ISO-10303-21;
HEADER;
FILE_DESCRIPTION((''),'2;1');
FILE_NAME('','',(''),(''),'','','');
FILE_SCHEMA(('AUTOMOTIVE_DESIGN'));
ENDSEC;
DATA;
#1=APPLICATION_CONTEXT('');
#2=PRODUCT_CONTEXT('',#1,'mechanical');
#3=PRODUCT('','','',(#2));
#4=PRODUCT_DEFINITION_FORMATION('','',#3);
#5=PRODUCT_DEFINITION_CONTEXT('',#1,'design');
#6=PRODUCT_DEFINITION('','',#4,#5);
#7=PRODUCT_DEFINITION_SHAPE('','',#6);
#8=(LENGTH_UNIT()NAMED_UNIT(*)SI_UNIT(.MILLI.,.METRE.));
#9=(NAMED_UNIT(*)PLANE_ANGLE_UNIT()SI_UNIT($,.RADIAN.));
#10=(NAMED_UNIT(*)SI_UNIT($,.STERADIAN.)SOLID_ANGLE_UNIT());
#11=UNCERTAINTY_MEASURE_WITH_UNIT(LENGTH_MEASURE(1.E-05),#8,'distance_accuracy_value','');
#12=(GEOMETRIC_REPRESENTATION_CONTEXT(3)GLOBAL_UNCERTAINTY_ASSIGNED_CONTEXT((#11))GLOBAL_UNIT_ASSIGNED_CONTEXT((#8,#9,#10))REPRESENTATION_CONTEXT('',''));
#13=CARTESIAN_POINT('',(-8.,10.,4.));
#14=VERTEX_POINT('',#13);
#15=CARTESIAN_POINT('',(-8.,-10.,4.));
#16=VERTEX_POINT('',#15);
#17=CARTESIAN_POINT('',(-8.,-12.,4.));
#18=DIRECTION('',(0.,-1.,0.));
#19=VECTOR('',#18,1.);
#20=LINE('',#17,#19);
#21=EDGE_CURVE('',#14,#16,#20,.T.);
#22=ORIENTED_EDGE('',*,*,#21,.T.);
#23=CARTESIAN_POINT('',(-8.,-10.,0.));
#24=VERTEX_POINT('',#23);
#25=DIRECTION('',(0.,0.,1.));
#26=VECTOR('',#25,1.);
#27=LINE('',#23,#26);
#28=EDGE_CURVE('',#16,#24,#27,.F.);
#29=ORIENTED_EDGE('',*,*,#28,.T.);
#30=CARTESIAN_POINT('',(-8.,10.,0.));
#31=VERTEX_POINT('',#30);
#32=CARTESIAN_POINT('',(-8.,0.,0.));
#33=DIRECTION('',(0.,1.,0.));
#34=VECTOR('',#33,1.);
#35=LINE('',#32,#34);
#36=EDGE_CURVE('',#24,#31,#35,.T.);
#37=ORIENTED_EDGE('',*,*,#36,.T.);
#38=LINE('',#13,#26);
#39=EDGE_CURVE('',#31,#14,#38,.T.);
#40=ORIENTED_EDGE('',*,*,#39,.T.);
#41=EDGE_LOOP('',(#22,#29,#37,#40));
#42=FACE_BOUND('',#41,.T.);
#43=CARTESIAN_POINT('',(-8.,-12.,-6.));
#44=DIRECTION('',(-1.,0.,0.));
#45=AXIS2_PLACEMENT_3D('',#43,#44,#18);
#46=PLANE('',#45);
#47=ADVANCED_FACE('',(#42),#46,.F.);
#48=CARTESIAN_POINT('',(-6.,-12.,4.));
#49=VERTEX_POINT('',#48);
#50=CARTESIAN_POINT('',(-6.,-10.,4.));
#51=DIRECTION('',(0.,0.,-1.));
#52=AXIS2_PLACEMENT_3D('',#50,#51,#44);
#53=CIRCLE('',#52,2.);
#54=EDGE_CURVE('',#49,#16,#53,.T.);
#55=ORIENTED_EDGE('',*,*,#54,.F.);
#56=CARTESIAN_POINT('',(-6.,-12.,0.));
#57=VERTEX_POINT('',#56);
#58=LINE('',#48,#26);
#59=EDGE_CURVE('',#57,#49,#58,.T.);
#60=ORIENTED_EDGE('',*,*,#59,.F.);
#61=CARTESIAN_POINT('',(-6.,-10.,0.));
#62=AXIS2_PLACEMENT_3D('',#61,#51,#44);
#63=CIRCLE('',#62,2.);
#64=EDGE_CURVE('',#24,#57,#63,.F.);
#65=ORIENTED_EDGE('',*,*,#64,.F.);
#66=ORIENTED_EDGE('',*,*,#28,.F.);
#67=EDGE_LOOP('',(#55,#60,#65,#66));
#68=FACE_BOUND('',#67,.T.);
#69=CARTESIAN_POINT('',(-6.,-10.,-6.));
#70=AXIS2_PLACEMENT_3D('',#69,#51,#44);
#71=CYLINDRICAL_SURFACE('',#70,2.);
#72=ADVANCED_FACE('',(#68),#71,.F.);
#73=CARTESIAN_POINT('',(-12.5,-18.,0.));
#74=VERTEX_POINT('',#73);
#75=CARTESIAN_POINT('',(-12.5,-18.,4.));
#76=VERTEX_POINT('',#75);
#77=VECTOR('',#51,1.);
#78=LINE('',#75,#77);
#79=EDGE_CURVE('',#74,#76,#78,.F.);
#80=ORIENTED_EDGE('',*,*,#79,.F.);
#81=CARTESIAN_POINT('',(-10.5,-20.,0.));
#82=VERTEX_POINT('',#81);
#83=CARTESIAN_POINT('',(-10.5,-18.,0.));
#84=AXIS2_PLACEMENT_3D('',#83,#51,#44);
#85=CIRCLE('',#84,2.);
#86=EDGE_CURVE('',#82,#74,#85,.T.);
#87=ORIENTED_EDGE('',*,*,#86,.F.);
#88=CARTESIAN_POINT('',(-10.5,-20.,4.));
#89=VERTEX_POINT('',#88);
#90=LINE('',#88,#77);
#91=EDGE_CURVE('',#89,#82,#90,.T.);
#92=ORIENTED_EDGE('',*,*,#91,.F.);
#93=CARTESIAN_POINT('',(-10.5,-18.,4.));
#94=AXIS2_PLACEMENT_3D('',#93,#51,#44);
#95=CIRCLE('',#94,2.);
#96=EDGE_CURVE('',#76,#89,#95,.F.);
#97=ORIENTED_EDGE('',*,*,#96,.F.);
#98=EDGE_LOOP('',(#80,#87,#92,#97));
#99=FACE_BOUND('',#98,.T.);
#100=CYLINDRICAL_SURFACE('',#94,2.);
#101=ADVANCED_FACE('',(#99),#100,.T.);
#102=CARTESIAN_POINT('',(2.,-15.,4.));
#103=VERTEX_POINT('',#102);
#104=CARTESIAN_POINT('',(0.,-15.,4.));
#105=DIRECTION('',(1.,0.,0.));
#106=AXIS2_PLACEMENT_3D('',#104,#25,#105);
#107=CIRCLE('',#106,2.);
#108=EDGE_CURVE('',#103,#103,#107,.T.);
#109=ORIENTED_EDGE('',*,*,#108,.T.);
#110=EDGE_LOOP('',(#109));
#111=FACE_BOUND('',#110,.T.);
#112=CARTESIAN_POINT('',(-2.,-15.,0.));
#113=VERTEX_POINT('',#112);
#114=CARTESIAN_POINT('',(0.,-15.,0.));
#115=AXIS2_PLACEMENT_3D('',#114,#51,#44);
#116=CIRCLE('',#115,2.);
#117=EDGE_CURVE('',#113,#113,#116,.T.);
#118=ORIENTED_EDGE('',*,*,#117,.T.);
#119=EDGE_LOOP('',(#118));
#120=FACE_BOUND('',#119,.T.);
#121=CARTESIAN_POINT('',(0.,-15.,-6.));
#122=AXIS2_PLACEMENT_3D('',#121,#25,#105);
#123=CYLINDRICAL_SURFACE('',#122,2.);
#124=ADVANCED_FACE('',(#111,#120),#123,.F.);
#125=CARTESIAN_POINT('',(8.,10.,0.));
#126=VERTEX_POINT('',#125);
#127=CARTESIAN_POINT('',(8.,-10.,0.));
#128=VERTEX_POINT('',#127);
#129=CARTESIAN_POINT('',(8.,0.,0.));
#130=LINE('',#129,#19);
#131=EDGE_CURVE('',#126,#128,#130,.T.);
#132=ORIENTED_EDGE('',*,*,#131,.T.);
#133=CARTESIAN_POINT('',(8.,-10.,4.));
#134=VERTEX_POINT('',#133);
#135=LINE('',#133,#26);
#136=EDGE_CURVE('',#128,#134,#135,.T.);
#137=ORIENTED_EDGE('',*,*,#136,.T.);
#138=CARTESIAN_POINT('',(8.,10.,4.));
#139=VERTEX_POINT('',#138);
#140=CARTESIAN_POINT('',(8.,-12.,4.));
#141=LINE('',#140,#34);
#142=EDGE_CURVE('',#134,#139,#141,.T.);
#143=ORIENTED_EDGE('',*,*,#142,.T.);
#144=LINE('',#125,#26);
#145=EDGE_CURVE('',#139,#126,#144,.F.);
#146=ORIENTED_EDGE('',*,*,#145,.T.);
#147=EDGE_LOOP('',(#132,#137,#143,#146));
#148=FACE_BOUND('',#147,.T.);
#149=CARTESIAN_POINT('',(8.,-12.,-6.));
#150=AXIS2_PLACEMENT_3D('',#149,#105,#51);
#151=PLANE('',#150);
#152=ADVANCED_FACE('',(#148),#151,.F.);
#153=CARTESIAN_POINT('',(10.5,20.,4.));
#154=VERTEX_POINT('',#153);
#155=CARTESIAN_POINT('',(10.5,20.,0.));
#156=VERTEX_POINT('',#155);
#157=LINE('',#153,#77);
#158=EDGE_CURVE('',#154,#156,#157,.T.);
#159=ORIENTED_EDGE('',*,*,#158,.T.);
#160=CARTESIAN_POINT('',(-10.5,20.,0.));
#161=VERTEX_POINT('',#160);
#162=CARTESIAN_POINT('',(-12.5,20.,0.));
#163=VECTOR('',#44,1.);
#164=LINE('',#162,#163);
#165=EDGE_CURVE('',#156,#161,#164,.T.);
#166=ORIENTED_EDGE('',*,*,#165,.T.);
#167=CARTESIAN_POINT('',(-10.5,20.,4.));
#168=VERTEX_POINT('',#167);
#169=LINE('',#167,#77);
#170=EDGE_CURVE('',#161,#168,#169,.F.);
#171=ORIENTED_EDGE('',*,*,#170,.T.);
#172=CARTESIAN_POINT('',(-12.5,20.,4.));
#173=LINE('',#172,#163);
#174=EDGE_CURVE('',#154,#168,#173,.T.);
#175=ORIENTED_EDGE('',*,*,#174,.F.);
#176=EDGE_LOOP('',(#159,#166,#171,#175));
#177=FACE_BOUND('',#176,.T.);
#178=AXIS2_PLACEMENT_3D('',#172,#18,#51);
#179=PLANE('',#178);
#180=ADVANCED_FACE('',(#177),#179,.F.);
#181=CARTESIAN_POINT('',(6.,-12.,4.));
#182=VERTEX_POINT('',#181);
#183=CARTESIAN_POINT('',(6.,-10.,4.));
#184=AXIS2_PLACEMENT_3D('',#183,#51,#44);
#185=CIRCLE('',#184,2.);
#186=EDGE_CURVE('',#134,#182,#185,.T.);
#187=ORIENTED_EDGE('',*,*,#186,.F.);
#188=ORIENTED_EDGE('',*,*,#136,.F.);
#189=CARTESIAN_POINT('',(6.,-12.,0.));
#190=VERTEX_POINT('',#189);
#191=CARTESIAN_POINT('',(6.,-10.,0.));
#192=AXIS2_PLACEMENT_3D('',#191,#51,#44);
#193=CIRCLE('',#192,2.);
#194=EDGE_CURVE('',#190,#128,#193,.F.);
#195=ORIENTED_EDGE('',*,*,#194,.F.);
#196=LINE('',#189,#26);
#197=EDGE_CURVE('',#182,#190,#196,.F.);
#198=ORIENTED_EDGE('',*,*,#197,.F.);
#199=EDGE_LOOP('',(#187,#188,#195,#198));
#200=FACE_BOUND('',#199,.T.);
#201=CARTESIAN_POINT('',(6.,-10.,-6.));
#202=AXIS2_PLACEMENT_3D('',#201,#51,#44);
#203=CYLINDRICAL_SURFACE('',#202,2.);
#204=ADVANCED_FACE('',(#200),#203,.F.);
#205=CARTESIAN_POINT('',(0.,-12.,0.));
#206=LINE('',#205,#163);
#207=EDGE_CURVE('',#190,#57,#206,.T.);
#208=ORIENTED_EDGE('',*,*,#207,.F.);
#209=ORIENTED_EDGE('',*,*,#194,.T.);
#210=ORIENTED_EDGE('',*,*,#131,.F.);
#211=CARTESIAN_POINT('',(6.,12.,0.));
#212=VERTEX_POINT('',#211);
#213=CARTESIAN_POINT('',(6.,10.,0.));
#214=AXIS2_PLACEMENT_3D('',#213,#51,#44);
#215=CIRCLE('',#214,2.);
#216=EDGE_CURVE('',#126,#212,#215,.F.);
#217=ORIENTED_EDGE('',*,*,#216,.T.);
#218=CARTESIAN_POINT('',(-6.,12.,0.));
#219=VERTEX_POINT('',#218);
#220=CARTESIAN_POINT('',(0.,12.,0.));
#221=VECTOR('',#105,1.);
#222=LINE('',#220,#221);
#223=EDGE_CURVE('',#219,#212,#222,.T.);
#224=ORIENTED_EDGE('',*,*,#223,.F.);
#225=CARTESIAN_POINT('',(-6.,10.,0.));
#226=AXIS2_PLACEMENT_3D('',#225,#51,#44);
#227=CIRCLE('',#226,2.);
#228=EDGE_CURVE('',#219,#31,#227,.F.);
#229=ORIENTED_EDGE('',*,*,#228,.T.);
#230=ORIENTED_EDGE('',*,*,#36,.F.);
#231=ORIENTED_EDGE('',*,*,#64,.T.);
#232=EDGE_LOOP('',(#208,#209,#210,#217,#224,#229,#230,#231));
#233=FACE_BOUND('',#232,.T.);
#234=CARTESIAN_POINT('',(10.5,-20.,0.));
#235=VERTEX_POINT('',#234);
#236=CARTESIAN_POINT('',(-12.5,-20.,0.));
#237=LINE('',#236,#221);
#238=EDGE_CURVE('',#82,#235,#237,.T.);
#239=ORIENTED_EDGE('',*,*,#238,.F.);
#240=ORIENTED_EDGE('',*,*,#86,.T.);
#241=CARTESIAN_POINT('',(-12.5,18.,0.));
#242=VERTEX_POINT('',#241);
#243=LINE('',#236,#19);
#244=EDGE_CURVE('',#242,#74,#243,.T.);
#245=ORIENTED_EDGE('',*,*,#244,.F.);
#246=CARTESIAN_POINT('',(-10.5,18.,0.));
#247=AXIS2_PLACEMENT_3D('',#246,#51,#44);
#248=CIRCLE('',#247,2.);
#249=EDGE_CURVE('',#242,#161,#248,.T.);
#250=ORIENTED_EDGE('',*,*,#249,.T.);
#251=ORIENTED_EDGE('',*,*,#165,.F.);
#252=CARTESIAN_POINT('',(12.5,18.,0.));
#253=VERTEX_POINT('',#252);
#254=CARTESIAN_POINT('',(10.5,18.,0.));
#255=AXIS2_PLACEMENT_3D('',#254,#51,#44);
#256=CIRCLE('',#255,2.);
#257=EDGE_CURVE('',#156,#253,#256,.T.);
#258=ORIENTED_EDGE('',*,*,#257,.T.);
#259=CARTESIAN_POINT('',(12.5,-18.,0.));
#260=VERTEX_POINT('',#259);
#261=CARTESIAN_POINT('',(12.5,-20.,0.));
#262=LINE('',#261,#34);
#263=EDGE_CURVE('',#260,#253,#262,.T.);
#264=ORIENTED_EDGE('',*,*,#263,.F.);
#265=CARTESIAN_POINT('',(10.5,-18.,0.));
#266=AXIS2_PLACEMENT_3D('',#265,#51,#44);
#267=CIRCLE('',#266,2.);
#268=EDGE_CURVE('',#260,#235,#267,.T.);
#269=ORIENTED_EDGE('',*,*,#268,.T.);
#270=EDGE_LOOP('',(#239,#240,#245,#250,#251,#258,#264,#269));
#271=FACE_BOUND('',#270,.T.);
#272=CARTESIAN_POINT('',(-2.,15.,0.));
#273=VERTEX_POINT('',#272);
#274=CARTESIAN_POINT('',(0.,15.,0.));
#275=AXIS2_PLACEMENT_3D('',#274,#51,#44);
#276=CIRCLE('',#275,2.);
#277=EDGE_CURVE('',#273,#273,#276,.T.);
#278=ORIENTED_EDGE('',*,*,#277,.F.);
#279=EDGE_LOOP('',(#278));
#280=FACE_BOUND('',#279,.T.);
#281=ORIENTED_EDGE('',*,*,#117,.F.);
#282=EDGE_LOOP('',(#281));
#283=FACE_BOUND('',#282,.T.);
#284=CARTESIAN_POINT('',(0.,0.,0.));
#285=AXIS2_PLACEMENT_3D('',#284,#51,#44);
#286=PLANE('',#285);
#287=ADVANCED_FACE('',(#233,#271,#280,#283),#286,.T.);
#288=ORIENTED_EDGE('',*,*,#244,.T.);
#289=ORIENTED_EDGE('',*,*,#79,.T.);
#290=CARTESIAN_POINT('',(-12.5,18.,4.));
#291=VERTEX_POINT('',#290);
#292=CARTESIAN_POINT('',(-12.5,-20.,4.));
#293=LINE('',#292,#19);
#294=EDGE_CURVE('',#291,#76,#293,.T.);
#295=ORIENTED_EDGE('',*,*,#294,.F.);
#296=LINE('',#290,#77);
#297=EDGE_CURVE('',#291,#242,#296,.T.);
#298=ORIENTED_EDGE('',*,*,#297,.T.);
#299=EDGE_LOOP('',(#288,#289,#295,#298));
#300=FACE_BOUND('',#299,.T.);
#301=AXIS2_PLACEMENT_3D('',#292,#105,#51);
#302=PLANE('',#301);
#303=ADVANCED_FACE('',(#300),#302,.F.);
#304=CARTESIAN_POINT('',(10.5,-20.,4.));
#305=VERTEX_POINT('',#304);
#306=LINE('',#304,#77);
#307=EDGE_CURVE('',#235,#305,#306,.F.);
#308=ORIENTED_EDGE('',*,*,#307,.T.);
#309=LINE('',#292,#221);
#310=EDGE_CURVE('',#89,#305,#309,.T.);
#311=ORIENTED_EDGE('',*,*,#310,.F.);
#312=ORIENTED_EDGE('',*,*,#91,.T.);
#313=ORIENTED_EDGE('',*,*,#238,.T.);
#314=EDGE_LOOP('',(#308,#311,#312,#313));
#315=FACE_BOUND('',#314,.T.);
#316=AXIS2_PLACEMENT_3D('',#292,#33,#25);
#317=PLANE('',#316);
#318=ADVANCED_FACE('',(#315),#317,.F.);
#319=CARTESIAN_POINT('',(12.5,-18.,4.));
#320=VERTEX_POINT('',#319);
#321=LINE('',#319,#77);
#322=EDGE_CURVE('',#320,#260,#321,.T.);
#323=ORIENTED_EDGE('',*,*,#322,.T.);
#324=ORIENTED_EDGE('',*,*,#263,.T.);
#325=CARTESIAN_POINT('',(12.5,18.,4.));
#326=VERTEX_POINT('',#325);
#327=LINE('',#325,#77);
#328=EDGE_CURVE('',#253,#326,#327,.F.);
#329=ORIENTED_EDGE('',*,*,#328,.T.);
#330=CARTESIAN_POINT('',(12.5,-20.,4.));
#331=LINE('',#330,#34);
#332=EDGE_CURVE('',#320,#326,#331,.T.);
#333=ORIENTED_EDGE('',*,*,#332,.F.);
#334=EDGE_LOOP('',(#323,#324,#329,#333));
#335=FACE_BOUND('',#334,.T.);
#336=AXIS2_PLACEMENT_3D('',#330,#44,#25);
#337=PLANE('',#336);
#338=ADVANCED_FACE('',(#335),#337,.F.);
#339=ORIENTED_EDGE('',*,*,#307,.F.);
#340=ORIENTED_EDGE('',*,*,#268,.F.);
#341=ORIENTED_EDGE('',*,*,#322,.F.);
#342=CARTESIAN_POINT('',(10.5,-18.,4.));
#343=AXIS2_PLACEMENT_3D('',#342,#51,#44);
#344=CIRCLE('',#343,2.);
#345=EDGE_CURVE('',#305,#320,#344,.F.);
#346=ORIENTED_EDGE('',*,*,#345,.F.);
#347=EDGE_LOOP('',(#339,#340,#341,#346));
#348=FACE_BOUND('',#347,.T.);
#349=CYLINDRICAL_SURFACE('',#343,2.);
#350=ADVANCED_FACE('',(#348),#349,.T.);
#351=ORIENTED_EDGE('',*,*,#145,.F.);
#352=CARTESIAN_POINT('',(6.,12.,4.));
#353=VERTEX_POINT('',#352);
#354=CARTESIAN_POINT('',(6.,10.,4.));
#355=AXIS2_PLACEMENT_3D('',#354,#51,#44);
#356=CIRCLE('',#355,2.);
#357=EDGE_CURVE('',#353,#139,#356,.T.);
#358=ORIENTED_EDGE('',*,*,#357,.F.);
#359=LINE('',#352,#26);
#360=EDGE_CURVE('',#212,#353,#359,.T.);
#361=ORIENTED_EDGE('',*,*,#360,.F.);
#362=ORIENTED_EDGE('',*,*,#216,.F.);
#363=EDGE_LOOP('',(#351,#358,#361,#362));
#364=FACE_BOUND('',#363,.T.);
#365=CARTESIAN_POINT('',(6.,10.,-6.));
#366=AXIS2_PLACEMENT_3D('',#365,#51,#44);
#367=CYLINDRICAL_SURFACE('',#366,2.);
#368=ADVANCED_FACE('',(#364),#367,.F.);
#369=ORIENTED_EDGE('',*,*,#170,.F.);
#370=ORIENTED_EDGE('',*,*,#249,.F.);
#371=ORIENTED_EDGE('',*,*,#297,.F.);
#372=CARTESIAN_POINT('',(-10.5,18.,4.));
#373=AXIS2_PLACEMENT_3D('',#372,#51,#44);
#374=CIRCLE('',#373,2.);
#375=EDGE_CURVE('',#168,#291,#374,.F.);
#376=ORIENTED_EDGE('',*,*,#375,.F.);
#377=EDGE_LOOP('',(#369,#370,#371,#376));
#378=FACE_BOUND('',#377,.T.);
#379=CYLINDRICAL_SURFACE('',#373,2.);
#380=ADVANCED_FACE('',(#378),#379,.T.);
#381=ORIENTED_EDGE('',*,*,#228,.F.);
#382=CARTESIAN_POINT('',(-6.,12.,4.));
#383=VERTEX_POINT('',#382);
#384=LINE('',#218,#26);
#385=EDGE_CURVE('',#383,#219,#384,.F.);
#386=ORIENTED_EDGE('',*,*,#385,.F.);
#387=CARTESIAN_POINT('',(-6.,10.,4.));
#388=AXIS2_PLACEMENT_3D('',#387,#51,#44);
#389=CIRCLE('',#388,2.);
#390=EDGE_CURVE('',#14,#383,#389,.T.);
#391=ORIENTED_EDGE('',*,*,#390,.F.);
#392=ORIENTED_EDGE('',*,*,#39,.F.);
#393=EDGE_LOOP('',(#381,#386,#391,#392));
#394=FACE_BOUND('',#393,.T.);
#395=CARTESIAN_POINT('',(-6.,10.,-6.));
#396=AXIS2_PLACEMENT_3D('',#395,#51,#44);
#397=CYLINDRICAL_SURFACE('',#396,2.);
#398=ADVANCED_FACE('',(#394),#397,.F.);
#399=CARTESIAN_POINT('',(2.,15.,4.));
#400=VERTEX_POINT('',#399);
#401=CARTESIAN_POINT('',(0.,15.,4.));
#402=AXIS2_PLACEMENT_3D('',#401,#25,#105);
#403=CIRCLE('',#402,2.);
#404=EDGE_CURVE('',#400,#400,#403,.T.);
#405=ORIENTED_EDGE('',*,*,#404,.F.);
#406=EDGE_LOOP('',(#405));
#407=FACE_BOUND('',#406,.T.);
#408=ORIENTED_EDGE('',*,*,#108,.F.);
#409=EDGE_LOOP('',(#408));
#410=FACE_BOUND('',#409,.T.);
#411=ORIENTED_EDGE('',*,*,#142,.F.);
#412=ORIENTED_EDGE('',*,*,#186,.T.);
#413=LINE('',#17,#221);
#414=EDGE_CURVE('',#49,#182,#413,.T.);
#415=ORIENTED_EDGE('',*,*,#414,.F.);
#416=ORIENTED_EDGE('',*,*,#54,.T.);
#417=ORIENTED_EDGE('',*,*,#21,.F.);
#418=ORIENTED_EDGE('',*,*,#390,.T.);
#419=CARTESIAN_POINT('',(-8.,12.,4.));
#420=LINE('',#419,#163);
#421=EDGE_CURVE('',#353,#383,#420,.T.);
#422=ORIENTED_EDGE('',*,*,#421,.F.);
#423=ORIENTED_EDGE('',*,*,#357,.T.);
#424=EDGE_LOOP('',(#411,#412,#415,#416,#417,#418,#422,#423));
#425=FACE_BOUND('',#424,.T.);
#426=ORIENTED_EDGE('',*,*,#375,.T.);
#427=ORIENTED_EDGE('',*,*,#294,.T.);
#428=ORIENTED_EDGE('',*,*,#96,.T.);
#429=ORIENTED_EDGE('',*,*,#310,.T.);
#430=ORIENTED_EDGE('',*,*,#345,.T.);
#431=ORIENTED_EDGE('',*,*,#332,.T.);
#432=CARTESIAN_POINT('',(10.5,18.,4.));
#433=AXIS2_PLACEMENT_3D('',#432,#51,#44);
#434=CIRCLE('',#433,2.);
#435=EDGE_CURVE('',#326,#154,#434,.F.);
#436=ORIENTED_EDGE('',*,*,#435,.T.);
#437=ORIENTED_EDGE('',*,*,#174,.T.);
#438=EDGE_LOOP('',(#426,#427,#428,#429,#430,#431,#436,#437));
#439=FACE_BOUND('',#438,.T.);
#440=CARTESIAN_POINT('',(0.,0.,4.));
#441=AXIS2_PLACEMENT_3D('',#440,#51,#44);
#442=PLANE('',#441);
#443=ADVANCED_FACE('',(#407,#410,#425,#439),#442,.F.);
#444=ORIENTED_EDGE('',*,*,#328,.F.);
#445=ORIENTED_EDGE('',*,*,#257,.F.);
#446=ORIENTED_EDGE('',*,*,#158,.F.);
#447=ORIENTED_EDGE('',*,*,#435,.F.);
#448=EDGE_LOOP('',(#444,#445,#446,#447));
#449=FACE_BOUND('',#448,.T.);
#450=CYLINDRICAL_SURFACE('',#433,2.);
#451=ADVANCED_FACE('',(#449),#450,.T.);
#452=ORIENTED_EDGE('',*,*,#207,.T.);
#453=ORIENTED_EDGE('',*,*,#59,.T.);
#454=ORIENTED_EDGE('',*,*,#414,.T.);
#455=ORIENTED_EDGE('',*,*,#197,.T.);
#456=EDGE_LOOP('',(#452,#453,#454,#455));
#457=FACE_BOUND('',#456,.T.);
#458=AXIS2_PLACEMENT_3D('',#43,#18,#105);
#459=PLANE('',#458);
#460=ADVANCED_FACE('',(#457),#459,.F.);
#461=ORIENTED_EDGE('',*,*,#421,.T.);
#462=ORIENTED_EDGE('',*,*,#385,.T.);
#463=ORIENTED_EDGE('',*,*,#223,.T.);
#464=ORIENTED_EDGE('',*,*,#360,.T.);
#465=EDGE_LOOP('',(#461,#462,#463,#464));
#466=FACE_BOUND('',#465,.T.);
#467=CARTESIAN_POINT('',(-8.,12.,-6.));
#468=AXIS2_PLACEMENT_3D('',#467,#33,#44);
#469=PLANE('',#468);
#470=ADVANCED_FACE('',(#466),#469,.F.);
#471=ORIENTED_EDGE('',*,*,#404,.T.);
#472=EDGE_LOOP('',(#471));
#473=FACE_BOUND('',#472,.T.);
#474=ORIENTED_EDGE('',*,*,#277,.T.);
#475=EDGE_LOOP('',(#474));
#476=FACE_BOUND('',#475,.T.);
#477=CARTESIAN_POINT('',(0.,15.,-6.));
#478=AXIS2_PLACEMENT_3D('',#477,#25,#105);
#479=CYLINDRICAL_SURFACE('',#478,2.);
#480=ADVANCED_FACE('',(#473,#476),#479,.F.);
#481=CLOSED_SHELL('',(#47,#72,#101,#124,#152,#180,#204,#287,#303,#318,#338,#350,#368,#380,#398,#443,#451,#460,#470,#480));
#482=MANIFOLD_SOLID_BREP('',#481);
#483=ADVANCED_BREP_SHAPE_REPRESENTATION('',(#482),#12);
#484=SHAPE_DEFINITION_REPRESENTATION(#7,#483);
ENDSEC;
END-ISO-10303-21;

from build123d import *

# Parameters (mm, degrees)
SKETCH_1_W          = 25
SKETCH_1_H          = 40
EXTRUDE_1_DEPTH     = 4
SKETCH_2_R          = 2
CUT_EXTRUDE_1_DEPTH = 10
FILLET_1_R          = 2
SKETCH_3_W          = 16
SKETCH_3_H          = 24
CUT_EXTRUDE_2_DEPTH = 10
FILLET_2_R          = 2


with BuildPart() as part:
    # 草图1 → 凸台-拉伸1 (new body)
    with BuildSketch(Plane.XY):
        Rectangle(SKETCH_1_W, SKETCH_1_H)
    extrude(amount=EXTRUDE_1_DEPTH)

    # 草图2 → 切除-拉伸1 (cut)
    with BuildSketch(Plane.XY.offset(4)):
        with Locations((0, 15)):
            Circle(SKETCH_2_R)
        with Locations((0, -15)):
            Circle(SKETCH_2_R)
    extrude(amount=-CUT_EXTRUDE_1_DEPTH, mode=Mode.SUBTRACT)

    # 圆角1
    fillet_1_edges = [part.edges().sort_by_distance(p)[0] for p in [
        (12.5, -20, 2),
        (-12.5, -20, 2),
        (-12.5, 20, 2),
        (12.5, 20, 2),
    ]]
    fillet(fillet_1_edges, radius=FILLET_1_R)

    # 草图3 → 切除-拉伸2 (cut)
    with BuildSketch(Plane.XY.offset(4)):
        Rectangle(SKETCH_3_W, SKETCH_3_H)
    extrude(amount=-CUT_EXTRUDE_2_DEPTH, mode=Mode.SUBTRACT)

    # 圆角2
    fillet_2_edges = [part.edges().sort_by_distance(p)[0] for p in [
        (8, 12, 2),
        (8, -12, 2),
        (-8, -12, 2),
        (-8, 12, 2),
    ]]
    fillet(fillet_2_edges, radius=FILLET_2_R)


solid = part.part
